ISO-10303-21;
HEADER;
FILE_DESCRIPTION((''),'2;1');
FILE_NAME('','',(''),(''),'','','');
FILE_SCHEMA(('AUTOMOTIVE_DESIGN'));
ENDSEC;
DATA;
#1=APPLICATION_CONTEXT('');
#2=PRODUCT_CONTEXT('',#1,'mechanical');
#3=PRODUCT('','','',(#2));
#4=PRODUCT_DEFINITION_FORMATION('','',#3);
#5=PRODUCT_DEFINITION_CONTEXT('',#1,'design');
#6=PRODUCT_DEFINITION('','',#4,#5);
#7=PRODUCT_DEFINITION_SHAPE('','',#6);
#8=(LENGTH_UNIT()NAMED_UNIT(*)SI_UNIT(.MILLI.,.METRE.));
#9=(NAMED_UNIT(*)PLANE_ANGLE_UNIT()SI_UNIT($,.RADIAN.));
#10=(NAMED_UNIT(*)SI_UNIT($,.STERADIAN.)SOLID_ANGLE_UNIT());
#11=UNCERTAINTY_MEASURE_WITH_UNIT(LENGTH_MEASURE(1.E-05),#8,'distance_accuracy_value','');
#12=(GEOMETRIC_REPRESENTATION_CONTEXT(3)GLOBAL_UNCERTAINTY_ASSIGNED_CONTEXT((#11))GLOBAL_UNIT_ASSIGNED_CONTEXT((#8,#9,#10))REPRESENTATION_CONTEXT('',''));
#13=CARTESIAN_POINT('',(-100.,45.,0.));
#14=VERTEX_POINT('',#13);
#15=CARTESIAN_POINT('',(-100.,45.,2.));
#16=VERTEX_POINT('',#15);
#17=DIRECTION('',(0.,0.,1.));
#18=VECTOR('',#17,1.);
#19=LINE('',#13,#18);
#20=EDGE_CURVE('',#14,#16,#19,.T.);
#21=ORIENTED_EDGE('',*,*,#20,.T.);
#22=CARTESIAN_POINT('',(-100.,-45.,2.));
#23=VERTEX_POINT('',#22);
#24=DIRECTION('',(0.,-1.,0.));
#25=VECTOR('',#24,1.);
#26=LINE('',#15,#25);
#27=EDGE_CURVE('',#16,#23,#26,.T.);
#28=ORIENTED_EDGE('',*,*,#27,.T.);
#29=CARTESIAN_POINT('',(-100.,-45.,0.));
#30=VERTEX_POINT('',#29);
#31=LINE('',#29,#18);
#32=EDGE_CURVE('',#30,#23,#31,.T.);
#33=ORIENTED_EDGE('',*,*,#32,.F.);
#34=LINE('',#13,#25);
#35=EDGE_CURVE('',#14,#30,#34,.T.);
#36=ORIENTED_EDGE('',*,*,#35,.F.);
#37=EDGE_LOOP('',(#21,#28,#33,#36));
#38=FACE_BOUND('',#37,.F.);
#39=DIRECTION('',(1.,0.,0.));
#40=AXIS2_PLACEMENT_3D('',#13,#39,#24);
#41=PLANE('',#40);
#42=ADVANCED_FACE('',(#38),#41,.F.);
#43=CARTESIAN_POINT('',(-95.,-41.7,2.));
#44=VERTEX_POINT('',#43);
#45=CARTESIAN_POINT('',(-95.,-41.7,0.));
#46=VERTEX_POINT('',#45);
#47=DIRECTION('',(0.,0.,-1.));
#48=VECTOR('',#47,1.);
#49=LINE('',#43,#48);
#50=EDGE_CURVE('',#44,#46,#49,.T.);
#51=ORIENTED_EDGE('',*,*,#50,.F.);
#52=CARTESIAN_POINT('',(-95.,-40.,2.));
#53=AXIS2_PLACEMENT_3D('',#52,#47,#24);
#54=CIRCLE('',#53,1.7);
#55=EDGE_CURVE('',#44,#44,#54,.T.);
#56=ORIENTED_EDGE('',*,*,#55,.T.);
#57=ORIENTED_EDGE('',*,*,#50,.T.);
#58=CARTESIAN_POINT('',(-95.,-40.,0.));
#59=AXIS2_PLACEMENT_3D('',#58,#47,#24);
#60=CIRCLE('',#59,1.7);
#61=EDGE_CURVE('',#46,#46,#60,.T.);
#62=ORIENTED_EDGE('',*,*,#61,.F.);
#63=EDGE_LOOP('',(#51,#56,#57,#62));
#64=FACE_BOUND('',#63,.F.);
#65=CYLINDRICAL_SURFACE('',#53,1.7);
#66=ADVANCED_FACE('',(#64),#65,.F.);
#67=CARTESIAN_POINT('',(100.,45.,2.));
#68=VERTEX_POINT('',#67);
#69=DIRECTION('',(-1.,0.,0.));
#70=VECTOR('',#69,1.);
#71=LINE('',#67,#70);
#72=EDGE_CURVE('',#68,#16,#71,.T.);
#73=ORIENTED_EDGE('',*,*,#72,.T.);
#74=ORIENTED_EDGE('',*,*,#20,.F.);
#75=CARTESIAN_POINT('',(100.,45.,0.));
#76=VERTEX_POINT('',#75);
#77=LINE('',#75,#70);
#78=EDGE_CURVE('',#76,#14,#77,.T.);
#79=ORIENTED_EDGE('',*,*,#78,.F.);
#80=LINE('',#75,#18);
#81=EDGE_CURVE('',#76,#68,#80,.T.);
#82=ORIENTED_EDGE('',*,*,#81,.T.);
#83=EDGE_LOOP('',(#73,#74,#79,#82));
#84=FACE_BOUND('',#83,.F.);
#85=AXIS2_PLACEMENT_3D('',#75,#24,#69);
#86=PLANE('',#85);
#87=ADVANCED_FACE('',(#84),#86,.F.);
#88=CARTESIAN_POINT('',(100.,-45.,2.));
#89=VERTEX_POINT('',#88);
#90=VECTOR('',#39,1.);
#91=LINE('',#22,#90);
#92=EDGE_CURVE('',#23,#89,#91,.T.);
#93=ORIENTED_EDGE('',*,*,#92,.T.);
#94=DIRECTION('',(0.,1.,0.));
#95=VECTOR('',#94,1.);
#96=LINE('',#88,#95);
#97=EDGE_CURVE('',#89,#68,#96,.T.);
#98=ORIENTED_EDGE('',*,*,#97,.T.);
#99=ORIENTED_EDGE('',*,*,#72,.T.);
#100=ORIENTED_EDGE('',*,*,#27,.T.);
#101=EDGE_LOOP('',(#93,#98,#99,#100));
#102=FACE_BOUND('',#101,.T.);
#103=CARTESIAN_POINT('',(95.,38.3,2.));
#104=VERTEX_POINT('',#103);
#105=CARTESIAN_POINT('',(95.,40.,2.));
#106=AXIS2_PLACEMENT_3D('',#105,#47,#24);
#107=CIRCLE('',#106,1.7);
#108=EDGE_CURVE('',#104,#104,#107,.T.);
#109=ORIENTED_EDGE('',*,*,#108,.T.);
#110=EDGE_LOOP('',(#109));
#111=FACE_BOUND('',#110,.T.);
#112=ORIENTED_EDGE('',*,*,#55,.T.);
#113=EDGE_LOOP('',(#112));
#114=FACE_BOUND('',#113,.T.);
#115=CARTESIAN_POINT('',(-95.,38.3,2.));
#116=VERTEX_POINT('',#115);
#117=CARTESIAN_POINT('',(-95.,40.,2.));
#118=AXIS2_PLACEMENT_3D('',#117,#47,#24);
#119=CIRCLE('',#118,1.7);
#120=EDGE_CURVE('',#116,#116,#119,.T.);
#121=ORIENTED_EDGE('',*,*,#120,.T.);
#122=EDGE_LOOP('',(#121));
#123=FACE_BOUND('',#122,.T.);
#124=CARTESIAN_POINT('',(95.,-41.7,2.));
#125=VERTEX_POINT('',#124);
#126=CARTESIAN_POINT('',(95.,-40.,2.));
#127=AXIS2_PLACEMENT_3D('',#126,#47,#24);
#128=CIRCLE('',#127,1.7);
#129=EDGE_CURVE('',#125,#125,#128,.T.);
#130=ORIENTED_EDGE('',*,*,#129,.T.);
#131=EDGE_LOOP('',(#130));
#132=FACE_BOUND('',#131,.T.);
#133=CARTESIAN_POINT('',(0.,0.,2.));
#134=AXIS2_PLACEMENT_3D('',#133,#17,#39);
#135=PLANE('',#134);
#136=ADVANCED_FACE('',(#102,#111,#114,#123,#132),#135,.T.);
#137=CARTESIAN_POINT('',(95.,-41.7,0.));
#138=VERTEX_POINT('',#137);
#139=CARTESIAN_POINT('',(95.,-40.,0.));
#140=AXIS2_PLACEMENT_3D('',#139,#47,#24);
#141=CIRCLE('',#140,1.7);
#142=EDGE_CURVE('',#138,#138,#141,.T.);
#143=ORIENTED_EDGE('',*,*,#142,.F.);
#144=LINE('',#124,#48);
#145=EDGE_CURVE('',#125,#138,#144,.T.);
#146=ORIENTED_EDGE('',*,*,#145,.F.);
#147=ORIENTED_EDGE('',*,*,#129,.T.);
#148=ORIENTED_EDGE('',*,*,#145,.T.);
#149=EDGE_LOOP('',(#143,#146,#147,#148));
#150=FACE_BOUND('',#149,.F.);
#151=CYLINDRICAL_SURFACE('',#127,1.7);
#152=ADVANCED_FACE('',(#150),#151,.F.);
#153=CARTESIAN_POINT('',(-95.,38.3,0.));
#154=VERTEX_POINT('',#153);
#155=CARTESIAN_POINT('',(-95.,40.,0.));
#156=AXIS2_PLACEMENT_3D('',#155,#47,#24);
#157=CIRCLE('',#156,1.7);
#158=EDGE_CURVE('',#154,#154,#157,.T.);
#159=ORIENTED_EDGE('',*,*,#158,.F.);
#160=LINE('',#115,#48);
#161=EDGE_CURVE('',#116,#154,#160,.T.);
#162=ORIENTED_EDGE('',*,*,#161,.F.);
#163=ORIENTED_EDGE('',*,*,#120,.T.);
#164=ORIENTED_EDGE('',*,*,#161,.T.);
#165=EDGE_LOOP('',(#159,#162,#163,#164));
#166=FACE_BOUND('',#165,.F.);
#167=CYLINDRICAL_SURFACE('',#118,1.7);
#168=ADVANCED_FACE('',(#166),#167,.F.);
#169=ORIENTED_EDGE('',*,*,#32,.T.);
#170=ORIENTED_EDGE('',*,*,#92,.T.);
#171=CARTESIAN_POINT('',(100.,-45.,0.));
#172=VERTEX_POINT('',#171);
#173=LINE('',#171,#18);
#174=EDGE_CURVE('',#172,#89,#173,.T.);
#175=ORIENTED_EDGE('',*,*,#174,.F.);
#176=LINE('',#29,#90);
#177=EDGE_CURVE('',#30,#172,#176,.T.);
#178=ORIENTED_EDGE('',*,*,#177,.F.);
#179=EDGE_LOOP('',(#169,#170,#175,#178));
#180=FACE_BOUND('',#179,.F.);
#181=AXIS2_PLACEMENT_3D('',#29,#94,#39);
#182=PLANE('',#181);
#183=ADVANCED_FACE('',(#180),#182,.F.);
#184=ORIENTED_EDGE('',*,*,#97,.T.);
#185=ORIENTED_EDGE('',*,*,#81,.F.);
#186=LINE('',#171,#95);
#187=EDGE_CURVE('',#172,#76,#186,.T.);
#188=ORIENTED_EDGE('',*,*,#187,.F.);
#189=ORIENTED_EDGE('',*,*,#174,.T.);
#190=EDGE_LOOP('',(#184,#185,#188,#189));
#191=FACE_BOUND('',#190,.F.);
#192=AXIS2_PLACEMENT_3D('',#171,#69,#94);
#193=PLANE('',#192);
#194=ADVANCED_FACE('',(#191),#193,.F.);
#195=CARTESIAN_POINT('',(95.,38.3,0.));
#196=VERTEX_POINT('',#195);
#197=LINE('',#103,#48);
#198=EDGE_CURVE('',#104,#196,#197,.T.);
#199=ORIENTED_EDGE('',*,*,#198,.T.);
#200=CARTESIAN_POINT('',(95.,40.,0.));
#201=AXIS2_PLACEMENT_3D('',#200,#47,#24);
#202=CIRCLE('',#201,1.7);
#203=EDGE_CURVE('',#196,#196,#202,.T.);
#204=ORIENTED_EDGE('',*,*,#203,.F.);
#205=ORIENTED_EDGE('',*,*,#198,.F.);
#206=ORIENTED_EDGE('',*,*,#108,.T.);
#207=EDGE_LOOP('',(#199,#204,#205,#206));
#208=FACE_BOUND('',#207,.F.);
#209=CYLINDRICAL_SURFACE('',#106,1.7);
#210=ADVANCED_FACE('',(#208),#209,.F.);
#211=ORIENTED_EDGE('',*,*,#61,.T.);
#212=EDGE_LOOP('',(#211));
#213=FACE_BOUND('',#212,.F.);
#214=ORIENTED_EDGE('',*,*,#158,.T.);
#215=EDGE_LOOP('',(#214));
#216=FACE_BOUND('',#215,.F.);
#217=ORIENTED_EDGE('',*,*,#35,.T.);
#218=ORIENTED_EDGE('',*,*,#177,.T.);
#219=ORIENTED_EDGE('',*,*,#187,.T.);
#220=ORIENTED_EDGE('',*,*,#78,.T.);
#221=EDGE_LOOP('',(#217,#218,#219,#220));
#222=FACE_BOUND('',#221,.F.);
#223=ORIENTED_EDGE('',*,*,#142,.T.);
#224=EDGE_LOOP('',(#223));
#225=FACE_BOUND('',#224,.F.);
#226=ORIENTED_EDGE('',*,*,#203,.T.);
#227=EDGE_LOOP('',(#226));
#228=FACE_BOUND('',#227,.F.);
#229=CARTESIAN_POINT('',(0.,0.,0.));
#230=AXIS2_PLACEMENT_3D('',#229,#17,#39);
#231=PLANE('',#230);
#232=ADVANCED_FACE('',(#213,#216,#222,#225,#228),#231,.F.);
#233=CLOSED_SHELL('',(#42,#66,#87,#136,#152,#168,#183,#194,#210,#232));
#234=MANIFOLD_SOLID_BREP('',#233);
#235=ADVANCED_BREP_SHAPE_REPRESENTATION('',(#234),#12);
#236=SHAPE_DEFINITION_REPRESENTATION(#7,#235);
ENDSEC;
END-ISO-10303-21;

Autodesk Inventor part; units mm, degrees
ref_plane "YZ Plane" through (0, 0, 0) normal (1, 0, 0) x (0, 1, 0)
ref_plane "XZ Plane" through (0, 0, 0) normal (0, 1, 0) x (-1, 0, 0)
ref_plane "XY Plane" through (0, 0, 0) normal (0, 0, 1) x (1, 0, 0)
sketch "スケッチ1" plane through (0, 0, 0) normal (0, 0, 1) x (1, 0, 0)
  line L0 (-100, -45) -> (100, -45)
  line L1 (100, -45) -> (100, 45)
  line L2 (100, 45) -> (-100, 45)
  line L3 (-100, 45) -> (-100, -45)
  line L4 (-100, -45) -> (100, 45) construction
  line L5 (100, -45) -> (-100, 45) construction
  point P0 (0, 0)
  dimension "d0" = 90
  dimension "d1" = 200
extrude "押し出し1" add sketch "スケッチ1" along normal blind 2
sketch "スケッチ2" plane through (0, 0, 2) normal (0, 0, 1) x (1, 0, 0)
  line L0 (100, 45) -> (-100, 45) projected
  line L1 (-100, 45) -> (-100, -45) projected
  line L2 (100, -45) -> (100, 45) projected
  line L3 (-100, -45) -> (100, -45) projected
  point P0 (0, 0)
  point P1 (-95, -40)
  point P2 (95, -40)
  point P3 (-95, 40)
  point P4 (95, 40)
  dimension "d4" = 5
  dimension "d5" = 5
  dimension "d6" = 5
  dimension "d7" = 5
  dimension "d8" = 5
  dimension "d9" = 5
  dimension "d10" = 5
  dimension "d11" = 5
hole "穴1" at (-95, -40, 2) at (95, -40, 2) at (-95, 40, 2) at (95, 40, 2) direction (0, 0, -1) diameter 3.4 end through all clearance for "Flat Head Machine Screw" size "M3" standard "Ansi Metric M Profile"
properties part number "20220523_知能ロボット2階部分"
